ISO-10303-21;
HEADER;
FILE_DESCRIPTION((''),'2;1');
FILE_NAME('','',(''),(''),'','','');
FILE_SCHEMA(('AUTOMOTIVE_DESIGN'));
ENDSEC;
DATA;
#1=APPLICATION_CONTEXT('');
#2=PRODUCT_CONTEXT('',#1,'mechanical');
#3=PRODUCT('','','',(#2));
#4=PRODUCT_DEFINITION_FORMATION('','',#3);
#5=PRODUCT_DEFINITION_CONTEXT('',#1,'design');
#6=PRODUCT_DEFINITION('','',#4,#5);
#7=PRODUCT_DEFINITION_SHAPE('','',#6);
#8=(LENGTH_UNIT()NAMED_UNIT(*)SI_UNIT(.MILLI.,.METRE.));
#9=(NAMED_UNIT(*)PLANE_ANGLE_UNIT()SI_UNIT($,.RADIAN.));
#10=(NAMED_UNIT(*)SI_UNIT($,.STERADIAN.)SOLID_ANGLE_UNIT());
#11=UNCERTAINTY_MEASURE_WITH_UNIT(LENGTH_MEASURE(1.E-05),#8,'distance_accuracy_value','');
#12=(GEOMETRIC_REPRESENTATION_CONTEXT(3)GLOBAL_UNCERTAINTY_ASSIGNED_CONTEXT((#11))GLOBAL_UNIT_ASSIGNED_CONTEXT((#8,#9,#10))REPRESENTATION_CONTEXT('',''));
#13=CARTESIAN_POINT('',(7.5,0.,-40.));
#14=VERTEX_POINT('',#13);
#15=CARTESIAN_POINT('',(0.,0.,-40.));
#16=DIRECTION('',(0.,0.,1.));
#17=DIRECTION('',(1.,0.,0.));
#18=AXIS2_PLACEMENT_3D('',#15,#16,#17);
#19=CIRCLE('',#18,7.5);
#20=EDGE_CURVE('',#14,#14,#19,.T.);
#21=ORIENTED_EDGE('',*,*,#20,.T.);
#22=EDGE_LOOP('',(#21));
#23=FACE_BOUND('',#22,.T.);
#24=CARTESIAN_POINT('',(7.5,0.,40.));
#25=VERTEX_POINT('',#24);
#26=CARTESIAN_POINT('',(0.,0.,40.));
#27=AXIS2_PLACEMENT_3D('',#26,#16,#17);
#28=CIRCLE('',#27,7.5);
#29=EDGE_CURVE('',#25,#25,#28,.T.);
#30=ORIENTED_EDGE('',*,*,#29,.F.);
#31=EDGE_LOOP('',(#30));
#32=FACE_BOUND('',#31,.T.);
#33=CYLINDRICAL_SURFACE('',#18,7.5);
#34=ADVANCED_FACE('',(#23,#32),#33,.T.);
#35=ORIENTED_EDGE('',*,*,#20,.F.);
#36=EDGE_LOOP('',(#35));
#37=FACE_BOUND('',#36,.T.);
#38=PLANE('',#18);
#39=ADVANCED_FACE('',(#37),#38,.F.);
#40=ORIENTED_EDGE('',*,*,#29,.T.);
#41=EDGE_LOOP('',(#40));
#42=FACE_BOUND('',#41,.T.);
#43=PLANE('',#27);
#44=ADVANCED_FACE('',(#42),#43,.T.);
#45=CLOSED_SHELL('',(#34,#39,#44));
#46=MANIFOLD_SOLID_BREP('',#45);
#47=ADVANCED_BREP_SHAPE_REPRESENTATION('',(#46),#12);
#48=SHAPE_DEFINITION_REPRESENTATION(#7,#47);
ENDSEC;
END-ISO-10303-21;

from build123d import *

# Parameters (mm, degrees)
BOSS_EXTRUDE1_DEPTH      = 40
BOSS_EXTRUDE1_DEPTH_BACK = 40
SKETCH1_R                = 7.5


with BuildPart() as part:
    # Sketch1 → Boss-Extrude1 (new, two sides: drawn at the far end of the back side and taken through both)
    with BuildSketch(Plane.XY.offset(-BOSS_EXTRUDE1_DEPTH_BACK)):
        Circle(SKETCH1_R)
    extrude(amount=BOSS_EXTRUDE1_DEPTH + BOSS_EXTRUDE1_DEPTH_BACK)


solid = part.part
